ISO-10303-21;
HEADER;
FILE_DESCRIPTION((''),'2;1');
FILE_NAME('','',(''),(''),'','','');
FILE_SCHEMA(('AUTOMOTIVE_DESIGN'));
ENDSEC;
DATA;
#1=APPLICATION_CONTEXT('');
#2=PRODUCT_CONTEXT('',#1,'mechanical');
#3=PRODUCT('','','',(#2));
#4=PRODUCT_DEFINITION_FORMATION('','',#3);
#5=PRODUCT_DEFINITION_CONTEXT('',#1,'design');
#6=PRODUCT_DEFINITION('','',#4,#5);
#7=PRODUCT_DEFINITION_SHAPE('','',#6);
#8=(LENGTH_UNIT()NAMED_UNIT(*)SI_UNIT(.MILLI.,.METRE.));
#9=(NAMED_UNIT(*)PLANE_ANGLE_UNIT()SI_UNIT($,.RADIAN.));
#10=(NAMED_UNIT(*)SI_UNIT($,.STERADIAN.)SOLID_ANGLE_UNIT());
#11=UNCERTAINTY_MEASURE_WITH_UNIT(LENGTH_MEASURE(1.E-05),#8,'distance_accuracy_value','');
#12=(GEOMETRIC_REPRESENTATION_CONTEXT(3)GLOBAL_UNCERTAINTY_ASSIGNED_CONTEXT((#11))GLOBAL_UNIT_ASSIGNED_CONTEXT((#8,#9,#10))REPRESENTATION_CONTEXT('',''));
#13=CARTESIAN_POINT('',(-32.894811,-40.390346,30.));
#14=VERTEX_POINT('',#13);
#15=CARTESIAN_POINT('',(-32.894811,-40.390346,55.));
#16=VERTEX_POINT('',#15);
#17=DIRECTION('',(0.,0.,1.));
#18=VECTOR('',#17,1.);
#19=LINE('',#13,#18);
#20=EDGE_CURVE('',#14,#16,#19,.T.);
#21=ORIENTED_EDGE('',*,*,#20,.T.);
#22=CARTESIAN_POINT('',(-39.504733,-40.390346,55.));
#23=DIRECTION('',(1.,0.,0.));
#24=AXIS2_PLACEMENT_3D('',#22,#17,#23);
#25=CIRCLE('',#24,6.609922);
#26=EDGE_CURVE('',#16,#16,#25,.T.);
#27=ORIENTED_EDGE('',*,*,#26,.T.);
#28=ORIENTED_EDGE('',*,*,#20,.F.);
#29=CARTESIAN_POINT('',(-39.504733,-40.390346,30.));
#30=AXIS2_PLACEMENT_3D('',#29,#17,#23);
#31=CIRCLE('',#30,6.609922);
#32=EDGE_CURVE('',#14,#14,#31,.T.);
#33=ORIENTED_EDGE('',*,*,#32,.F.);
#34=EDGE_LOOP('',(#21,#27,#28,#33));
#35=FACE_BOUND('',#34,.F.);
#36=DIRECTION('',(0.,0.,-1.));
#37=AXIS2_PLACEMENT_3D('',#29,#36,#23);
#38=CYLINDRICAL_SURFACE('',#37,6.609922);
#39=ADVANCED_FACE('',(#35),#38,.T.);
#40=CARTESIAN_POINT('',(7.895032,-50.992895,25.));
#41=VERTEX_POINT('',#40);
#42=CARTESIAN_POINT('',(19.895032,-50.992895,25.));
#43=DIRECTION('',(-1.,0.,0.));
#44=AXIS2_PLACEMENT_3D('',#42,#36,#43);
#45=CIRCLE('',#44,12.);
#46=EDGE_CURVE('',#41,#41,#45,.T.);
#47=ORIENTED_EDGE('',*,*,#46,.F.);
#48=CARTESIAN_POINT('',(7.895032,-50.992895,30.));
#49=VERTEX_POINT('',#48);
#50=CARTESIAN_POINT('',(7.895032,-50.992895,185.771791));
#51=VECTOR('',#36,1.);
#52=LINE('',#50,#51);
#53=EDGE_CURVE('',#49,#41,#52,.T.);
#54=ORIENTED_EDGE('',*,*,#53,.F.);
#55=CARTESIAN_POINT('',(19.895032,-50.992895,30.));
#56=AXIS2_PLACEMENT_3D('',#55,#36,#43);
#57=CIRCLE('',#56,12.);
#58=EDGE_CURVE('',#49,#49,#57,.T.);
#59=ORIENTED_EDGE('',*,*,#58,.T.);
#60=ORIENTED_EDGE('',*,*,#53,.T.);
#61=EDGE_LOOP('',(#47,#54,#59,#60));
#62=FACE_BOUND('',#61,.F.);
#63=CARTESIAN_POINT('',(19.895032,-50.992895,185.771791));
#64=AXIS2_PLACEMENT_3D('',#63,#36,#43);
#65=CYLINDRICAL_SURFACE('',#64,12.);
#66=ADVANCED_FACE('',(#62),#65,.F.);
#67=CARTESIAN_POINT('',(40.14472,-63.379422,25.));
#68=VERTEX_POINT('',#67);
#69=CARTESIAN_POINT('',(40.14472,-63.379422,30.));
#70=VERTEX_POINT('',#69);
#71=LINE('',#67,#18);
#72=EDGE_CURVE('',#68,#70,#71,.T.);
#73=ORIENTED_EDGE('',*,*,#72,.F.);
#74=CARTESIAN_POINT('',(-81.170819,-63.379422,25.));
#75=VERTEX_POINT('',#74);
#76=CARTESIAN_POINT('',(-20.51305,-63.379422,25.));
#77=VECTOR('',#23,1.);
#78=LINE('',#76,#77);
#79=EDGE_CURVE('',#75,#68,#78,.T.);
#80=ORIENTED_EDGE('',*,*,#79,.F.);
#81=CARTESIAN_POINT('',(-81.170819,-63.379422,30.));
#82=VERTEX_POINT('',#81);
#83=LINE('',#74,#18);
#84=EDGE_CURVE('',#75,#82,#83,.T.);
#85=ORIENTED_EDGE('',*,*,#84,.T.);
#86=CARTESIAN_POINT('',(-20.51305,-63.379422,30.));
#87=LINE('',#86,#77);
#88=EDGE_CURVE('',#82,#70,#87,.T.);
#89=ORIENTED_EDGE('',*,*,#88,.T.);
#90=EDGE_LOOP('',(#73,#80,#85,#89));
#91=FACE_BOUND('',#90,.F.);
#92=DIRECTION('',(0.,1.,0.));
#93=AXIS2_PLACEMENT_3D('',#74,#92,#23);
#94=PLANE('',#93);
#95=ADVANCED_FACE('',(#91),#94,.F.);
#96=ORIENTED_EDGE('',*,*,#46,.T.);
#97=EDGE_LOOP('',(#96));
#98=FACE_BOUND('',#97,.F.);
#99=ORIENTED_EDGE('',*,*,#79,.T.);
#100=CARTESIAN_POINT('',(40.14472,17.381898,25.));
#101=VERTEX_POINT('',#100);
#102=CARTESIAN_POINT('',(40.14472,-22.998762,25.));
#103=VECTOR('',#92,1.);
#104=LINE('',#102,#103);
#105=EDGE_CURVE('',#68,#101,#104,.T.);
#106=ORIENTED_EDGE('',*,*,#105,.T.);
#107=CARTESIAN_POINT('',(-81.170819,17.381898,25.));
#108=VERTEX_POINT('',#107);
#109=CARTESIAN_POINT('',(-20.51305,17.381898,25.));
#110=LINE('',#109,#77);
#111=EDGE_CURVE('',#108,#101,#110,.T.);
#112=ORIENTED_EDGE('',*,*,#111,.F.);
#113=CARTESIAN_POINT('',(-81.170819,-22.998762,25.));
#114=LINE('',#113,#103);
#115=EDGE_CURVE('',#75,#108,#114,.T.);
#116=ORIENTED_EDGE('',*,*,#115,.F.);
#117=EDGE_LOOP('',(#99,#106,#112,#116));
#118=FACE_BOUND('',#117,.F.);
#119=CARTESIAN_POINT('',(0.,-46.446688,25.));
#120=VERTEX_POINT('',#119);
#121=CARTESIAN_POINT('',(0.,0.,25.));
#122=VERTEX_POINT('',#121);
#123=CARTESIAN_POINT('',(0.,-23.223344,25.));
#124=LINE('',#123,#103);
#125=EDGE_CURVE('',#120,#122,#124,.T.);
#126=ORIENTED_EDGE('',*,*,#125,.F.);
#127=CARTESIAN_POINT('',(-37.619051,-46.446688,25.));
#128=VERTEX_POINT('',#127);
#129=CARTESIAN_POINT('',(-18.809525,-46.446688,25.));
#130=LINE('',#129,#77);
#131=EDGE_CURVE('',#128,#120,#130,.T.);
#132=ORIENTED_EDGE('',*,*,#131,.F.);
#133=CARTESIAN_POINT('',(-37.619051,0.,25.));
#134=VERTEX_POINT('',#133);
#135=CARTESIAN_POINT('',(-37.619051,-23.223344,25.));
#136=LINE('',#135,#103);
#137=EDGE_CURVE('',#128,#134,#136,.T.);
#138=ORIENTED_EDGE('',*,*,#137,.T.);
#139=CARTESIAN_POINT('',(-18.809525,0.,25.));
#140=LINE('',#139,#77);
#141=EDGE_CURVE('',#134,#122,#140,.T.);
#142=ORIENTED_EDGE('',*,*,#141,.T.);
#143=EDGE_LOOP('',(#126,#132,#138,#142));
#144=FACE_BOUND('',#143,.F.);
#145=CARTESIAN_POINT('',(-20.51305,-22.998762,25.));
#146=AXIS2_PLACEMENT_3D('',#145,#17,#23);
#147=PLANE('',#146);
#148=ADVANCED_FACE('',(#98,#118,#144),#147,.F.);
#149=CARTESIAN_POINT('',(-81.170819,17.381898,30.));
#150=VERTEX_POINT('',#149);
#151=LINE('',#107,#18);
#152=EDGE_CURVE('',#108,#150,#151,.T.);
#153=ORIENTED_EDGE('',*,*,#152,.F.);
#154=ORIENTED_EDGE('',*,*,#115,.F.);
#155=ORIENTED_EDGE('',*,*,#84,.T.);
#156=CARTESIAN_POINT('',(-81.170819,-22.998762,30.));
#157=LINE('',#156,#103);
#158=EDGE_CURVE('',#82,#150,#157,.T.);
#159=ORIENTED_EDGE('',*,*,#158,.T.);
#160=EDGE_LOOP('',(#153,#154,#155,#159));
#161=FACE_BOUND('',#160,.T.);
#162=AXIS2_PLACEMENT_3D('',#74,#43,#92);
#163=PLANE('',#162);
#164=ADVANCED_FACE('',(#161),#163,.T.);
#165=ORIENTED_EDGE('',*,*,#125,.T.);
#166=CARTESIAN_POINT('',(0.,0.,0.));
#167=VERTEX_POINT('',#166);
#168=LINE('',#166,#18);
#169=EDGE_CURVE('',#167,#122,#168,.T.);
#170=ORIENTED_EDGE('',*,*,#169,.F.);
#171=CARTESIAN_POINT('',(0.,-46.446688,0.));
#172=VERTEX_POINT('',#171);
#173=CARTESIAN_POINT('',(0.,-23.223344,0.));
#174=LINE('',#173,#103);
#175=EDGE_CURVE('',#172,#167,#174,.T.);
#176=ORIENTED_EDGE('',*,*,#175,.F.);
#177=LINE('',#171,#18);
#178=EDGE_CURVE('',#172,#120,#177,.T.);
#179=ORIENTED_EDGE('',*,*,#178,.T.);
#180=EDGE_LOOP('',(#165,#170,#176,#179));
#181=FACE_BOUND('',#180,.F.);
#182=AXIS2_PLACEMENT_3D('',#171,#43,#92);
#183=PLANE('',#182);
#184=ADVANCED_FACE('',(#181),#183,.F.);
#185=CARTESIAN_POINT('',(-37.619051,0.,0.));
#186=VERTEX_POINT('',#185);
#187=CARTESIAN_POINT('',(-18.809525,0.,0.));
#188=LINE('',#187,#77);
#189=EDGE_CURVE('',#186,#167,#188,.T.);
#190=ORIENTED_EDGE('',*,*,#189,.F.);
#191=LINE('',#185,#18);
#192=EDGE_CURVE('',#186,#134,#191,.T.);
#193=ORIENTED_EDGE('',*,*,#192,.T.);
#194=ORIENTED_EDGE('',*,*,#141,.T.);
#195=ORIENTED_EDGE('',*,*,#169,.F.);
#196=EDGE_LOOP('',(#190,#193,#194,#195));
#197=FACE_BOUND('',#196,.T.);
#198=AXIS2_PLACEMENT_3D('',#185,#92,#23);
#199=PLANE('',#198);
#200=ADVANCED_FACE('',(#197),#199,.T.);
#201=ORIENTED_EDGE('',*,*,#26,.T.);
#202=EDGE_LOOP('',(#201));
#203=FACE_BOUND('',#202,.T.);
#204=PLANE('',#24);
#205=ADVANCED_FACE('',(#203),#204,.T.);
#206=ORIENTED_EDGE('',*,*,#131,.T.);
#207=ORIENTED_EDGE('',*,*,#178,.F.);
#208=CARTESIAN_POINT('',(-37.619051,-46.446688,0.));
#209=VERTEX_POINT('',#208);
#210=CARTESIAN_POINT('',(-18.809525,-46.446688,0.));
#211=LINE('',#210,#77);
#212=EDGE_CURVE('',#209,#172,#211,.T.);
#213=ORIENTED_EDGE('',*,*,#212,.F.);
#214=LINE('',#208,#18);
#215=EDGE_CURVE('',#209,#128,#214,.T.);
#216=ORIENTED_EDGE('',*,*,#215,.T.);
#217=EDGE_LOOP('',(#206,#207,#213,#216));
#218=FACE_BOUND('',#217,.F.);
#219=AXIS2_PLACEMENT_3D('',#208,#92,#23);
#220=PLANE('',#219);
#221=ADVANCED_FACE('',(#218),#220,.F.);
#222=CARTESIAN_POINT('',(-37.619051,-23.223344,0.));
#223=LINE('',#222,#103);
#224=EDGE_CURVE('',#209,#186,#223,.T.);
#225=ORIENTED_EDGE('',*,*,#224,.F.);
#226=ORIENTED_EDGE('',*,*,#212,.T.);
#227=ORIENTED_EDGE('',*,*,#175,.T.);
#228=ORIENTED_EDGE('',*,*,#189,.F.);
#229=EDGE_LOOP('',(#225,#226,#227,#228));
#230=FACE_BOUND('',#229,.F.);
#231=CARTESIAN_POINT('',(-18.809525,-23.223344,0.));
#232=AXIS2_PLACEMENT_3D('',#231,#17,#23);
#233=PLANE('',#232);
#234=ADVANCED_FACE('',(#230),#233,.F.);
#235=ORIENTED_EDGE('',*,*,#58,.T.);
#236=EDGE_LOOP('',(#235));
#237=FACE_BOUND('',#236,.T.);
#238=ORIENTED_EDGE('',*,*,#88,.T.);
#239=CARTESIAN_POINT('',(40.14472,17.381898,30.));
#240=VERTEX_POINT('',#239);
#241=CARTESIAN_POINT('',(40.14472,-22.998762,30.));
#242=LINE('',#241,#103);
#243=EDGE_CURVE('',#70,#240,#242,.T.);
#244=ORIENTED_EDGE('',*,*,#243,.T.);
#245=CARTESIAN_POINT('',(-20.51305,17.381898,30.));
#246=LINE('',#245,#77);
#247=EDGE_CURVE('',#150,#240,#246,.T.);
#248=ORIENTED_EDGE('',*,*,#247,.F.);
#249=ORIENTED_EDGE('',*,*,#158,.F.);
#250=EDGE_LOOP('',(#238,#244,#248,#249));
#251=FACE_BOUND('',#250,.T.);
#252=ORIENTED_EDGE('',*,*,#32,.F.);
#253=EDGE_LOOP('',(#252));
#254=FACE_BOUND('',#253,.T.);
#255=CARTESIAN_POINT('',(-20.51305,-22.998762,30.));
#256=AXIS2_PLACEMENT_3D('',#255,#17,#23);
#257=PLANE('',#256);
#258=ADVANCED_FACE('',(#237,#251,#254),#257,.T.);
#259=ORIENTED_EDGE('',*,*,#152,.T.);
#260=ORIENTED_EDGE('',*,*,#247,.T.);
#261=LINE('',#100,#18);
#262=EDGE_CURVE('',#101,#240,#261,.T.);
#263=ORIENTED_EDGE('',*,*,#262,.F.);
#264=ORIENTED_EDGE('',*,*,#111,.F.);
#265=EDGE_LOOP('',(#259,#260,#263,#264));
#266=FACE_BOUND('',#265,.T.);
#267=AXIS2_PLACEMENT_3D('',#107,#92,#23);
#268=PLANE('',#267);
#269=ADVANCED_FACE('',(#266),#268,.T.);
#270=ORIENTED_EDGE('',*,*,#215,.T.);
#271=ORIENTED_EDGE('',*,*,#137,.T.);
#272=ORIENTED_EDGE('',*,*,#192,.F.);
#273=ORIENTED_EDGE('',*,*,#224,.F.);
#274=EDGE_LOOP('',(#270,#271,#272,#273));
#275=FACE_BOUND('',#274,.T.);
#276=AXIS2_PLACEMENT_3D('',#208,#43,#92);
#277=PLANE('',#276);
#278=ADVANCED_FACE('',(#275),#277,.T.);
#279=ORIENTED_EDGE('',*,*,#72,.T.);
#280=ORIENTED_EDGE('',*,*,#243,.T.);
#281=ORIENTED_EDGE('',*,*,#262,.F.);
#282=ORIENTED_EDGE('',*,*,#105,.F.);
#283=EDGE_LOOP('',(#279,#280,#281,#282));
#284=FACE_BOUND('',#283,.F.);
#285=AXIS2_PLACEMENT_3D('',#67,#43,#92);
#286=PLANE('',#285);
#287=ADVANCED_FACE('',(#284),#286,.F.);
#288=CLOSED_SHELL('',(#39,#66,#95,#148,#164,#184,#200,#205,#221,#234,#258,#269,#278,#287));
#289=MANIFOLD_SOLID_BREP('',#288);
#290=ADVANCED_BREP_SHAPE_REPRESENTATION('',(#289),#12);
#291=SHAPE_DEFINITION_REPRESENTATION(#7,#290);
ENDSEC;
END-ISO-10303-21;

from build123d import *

# Parameters (mm, degrees)
F0_W     = 37.619051
F0_H     = 46.446688
F1_DEPTH = 25
F2_W     = 121.315539
F2_H     = 80.761321
F3_DEPTH = 5
F4_R     = 6.609922
F5_DEPTH = 25
F7_D     = 24


with BuildPart() as f1:
    # F0 (on Top) → F1 (new body)
    with BuildSketch(Plane.XY):
        with Locations((-18.809525, -23.223344)):
            Rectangle(F0_W, F0_H)
    extrude(amount=F1_DEPTH)

    # F2 (on face) → F3 (join)
    with BuildSketch(Plane.XY.offset(25)):
        with Locations((-20.51305, -22.998762)):
            Rectangle(F2_W, F2_H)
    extrude(amount=F3_DEPTH)

    # F4 (on face) → F5 (join)
    with BuildSketch(Plane.XY.offset(30)):
        with Locations((-39.504733, -40.390346)):
            Circle(F4_R)
    extrude(amount=F5_DEPTH)

    # F7 (through all)
    with Locations(Plane.XY.offset(30)):
        with Locations((19.895032, -50.992895)):
            Hole(F7_D / 2)


solid = f1.part
